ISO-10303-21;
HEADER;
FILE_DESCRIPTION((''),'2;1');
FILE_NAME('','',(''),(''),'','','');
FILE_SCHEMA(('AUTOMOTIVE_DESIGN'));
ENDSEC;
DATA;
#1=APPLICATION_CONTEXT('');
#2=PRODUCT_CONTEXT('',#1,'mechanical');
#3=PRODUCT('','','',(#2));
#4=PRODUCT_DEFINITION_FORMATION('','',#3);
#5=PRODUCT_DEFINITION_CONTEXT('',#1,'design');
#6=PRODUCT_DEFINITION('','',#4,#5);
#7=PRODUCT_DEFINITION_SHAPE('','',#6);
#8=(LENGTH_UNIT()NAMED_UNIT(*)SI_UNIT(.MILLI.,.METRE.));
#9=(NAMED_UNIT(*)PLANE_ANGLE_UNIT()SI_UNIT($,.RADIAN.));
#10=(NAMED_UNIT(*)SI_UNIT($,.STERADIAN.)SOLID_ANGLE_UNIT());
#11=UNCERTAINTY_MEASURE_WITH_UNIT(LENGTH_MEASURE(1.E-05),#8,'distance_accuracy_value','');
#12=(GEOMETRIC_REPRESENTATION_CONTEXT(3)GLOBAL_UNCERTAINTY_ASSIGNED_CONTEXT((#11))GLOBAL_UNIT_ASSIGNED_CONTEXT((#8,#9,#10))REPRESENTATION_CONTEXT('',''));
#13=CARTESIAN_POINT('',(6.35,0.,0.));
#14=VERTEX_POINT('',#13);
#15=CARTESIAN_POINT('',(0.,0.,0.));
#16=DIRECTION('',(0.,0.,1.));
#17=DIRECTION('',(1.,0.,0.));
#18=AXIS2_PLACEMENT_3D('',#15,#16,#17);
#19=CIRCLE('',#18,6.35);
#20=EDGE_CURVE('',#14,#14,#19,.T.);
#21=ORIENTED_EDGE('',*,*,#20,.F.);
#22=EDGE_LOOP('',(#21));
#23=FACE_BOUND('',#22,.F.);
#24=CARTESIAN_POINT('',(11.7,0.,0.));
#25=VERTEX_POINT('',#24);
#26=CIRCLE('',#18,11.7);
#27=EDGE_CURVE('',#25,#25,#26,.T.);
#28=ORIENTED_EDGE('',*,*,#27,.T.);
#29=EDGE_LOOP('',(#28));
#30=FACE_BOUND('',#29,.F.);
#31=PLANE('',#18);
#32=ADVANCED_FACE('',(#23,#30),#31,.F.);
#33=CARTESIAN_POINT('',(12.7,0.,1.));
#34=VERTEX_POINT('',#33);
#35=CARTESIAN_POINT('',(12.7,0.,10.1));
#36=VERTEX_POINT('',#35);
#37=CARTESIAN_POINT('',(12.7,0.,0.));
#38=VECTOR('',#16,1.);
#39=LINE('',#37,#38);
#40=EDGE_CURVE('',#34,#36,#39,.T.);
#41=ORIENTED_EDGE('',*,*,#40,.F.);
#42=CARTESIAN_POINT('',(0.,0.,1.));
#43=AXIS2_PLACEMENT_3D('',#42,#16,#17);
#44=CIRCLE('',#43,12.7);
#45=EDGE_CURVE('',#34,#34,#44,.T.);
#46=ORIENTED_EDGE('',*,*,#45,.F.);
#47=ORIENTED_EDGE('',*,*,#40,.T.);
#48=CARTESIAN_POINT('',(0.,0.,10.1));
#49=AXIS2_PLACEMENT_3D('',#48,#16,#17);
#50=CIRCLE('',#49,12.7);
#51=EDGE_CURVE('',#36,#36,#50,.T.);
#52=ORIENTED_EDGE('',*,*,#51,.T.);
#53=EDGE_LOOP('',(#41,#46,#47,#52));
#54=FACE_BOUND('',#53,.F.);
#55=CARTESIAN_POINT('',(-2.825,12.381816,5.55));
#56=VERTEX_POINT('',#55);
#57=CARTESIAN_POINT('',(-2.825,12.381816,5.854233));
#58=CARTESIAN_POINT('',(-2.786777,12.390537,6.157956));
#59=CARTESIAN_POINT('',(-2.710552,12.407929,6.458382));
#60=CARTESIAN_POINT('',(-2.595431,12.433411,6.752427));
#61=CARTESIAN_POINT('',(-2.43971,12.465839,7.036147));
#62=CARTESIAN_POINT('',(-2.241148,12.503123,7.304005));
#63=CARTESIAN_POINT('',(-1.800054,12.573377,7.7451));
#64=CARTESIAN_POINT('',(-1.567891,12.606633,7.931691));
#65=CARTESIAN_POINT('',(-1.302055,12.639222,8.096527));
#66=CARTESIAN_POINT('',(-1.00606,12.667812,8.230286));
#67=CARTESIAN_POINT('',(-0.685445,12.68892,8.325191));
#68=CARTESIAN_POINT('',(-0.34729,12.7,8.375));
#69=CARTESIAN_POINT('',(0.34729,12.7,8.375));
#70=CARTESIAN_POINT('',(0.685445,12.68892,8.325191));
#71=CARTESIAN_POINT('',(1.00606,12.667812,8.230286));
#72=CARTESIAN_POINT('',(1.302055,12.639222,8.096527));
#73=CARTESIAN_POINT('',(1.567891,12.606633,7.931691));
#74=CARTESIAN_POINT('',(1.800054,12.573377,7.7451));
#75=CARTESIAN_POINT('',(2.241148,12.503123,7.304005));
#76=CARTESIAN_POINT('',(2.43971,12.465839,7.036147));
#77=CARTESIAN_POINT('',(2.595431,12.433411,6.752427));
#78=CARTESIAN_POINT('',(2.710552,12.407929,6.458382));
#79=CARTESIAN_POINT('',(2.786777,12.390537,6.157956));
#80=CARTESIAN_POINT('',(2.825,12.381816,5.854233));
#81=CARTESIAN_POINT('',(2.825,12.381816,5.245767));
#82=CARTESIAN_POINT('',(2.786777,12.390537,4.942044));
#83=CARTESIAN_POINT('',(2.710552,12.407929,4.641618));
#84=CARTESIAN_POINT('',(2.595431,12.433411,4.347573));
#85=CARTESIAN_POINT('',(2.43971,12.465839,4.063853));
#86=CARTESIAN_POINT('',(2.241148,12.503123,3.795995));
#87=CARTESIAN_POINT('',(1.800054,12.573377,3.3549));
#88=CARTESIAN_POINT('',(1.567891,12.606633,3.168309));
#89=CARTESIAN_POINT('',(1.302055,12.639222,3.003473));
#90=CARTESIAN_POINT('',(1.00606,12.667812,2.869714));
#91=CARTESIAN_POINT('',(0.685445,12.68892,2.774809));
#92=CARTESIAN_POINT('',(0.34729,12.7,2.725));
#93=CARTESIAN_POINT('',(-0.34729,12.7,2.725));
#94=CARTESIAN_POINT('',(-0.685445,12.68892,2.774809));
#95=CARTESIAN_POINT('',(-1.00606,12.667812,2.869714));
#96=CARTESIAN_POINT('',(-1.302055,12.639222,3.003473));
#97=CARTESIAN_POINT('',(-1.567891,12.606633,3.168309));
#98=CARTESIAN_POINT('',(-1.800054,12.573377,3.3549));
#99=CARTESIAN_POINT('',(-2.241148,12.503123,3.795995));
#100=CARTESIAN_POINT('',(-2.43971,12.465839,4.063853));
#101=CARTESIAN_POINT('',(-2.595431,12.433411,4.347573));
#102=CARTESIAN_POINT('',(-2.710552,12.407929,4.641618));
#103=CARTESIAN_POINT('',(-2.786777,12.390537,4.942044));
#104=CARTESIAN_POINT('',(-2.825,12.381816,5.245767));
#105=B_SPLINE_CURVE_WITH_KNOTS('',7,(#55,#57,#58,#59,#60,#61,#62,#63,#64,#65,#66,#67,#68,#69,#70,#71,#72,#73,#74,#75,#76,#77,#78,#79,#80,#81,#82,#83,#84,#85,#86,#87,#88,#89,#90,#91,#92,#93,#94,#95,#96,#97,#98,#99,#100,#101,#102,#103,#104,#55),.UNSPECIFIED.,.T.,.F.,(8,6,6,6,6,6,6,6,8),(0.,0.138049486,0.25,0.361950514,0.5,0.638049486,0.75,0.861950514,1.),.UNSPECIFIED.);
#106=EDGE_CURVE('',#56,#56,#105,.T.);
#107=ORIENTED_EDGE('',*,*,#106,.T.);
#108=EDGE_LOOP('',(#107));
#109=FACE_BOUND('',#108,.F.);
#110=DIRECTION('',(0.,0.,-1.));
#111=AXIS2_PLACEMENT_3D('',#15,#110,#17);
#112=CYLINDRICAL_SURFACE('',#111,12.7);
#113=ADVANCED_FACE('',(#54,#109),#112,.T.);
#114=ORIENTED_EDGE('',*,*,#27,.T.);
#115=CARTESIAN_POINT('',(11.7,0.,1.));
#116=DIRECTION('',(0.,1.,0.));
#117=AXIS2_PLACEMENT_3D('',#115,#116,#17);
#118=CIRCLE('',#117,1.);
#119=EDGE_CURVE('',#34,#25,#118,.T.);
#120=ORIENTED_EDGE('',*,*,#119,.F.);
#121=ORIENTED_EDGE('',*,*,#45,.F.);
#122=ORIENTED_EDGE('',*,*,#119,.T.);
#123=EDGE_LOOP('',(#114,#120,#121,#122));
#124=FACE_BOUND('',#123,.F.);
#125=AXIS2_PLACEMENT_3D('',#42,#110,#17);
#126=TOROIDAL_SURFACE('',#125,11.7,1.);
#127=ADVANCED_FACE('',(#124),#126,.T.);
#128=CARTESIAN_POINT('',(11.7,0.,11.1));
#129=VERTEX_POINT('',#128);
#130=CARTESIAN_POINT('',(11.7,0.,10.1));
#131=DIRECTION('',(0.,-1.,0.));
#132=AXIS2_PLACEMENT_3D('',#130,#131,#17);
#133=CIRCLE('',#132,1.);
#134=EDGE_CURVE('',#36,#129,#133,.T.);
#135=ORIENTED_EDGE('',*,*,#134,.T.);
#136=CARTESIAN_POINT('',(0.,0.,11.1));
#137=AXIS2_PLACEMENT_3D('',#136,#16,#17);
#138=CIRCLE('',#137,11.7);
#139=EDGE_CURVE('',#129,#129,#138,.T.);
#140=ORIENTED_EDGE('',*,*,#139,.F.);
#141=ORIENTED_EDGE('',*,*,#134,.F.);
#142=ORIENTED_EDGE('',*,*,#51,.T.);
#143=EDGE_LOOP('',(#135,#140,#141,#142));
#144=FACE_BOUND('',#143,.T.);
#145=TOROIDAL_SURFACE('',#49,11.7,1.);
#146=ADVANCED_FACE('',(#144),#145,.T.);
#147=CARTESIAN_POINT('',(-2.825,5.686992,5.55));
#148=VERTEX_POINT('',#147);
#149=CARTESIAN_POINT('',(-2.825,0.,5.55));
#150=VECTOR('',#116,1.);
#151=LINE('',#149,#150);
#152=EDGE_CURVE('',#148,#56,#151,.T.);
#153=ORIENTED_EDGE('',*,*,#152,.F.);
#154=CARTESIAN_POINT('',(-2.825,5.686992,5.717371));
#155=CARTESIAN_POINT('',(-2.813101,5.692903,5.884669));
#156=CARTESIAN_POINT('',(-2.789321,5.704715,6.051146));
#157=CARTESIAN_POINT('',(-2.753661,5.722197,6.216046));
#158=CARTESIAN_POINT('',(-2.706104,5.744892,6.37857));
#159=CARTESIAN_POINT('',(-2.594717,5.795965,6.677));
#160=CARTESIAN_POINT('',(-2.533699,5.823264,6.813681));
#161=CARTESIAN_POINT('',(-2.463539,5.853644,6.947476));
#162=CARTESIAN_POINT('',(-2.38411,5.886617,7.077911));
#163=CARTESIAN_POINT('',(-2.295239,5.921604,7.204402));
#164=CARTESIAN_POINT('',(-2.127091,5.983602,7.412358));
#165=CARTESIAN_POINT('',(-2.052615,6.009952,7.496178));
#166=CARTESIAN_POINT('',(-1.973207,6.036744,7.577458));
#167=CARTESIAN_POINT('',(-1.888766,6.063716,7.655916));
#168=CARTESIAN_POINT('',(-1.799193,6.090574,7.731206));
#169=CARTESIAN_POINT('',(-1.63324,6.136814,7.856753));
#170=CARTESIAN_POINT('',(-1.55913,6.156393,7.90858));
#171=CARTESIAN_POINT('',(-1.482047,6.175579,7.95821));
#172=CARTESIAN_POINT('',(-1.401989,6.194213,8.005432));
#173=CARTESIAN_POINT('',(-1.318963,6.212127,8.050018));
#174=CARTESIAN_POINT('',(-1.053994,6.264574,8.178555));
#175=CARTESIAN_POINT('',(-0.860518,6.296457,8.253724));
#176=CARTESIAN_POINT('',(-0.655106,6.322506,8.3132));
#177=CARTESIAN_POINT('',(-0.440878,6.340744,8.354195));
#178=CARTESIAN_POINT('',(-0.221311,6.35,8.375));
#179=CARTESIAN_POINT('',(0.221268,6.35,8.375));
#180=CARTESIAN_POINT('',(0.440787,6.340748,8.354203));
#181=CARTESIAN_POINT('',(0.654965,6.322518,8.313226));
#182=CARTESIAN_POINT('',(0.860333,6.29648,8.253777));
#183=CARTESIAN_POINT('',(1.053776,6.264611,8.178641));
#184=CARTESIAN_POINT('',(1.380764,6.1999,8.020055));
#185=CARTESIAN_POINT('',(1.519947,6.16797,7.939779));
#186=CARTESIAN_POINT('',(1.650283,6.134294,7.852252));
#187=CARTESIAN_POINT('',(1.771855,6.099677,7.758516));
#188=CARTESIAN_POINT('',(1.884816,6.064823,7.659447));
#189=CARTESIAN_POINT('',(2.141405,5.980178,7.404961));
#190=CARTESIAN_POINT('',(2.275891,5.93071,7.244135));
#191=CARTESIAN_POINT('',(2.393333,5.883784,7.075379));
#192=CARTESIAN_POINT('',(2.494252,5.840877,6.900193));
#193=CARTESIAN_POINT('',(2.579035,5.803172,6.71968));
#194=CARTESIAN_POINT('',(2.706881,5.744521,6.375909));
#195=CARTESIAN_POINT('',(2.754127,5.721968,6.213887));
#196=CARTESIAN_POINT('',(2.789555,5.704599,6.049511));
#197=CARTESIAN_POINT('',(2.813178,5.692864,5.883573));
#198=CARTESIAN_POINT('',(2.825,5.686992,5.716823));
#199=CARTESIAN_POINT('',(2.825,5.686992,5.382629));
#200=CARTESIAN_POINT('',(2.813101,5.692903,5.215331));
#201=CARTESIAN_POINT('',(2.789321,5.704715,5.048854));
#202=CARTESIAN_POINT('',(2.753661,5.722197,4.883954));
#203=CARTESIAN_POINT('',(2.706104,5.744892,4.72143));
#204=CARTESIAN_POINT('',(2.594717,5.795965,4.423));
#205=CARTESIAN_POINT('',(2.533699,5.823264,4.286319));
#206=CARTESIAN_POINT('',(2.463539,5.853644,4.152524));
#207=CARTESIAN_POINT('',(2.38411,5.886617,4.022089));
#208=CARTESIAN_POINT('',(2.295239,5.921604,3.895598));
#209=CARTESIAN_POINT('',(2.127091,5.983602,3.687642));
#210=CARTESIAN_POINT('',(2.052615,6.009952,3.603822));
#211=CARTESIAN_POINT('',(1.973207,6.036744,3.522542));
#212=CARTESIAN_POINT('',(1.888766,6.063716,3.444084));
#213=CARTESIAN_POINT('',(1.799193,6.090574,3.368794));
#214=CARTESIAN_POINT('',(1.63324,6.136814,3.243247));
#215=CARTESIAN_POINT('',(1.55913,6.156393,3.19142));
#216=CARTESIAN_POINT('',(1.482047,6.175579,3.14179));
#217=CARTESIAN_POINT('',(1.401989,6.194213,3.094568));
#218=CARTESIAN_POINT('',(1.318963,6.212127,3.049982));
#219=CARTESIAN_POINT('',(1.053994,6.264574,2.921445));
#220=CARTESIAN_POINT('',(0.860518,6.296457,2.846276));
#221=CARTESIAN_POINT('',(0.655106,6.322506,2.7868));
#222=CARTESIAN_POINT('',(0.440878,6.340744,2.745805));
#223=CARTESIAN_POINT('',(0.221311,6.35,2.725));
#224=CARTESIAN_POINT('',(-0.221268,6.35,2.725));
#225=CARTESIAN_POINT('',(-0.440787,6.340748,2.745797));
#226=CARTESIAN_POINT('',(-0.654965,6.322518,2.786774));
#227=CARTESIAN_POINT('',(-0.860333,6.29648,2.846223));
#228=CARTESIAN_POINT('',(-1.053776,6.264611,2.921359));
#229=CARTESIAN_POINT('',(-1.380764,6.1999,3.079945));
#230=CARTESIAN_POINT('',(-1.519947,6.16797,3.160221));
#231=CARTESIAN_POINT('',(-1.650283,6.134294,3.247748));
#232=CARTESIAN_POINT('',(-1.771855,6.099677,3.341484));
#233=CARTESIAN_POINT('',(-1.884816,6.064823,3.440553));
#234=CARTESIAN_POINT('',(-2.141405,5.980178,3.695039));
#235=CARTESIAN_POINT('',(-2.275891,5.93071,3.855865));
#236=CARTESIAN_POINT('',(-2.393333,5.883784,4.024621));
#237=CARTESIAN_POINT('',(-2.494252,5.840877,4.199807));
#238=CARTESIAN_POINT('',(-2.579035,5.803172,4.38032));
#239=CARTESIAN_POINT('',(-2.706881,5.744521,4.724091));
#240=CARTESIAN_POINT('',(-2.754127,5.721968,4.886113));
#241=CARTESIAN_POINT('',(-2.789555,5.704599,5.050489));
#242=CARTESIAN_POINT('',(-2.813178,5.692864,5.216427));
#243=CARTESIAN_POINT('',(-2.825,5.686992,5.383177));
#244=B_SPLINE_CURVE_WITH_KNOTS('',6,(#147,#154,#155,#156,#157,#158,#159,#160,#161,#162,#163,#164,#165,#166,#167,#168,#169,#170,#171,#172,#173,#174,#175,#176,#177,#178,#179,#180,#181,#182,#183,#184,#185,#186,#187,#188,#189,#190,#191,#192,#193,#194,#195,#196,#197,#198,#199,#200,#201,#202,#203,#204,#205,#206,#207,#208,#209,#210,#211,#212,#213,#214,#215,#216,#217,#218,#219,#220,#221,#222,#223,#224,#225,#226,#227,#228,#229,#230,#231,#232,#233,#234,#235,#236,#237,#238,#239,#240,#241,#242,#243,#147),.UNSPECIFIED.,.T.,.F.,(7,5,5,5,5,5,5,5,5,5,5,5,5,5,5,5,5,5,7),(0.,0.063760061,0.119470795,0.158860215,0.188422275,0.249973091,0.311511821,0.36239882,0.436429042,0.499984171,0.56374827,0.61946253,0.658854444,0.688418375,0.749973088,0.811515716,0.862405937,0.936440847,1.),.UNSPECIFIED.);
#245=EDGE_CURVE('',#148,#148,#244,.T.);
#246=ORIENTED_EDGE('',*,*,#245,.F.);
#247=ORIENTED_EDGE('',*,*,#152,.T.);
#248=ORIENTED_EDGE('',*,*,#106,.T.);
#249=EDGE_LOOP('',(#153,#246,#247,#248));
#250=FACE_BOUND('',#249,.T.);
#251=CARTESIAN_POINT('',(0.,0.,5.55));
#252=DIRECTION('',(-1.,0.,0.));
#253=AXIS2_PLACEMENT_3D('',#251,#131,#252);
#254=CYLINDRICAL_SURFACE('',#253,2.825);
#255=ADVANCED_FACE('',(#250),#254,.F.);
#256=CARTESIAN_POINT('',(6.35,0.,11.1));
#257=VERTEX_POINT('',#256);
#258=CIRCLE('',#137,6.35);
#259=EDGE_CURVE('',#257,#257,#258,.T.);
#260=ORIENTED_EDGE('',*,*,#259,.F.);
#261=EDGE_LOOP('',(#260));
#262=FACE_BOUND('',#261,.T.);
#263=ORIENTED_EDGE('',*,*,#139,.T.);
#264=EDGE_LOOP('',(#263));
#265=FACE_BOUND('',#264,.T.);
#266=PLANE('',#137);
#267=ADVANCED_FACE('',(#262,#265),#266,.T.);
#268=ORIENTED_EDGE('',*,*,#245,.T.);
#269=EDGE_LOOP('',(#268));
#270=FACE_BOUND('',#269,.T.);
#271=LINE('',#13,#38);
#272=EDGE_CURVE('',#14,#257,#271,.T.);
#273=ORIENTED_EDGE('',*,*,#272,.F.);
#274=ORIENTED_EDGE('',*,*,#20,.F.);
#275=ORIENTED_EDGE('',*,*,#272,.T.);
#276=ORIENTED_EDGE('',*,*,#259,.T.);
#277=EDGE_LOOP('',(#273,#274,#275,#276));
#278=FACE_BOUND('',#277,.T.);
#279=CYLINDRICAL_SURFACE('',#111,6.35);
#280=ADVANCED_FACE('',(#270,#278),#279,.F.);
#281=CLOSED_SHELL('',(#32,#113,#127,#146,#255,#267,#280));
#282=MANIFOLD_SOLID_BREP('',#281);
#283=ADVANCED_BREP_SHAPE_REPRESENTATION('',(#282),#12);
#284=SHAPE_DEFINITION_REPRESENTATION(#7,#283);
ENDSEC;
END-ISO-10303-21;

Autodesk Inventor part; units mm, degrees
ref_plane "YZ Plane" through (0, 0, 0) normal (1, 0, 0) x (0, 1, 0)
ref_plane "XZ Plane" through (0, 0, 0) normal (0, 1, 0) x (-1, 0, 0)
ref_plane "XY Plane" through (0, 0, 0) normal (0, 0, 1) x (1, 0, 0)
sketch "Sketch1" plane through (0, 0, 0) normal (0, 0, 1) x (1, 0, 0)
  circle A0 centre (0, 0) radius 12.7
  circle A1 centre (0, 0) radius 6.35
  dimension "d0" = 25.4
  dimension "d1" = 12.7
extrude "Extrusion1" add sketch "Sketch1" along normal blind 11.1
sketch "Sketch2" plane through (0, 0, 0) normal (0, 1, 0) x (-1, 0, 0)
  circle A0 centre (0, 5.55) radius 2.825
  line L0 (12.7, 0) -> (12.7, 11.1) projected
  point P0 (0, 0)
  point P1 (12.7, 5.55)
  dimension "d4" = 5.65
extrude "Extrusion2" cut sketch "Sketch2" along normal through all
fillet "Fillet1" radius 1 2 edges at (-12.7, 0, 11.1) (-12.7, 0, 0)
thread "Thread1" size "1/4-20 UNC" class "2B" standard "ANSI Unified Screw Threads" full length
properties part number "Shaft Collar" material "ABS Plastic"
